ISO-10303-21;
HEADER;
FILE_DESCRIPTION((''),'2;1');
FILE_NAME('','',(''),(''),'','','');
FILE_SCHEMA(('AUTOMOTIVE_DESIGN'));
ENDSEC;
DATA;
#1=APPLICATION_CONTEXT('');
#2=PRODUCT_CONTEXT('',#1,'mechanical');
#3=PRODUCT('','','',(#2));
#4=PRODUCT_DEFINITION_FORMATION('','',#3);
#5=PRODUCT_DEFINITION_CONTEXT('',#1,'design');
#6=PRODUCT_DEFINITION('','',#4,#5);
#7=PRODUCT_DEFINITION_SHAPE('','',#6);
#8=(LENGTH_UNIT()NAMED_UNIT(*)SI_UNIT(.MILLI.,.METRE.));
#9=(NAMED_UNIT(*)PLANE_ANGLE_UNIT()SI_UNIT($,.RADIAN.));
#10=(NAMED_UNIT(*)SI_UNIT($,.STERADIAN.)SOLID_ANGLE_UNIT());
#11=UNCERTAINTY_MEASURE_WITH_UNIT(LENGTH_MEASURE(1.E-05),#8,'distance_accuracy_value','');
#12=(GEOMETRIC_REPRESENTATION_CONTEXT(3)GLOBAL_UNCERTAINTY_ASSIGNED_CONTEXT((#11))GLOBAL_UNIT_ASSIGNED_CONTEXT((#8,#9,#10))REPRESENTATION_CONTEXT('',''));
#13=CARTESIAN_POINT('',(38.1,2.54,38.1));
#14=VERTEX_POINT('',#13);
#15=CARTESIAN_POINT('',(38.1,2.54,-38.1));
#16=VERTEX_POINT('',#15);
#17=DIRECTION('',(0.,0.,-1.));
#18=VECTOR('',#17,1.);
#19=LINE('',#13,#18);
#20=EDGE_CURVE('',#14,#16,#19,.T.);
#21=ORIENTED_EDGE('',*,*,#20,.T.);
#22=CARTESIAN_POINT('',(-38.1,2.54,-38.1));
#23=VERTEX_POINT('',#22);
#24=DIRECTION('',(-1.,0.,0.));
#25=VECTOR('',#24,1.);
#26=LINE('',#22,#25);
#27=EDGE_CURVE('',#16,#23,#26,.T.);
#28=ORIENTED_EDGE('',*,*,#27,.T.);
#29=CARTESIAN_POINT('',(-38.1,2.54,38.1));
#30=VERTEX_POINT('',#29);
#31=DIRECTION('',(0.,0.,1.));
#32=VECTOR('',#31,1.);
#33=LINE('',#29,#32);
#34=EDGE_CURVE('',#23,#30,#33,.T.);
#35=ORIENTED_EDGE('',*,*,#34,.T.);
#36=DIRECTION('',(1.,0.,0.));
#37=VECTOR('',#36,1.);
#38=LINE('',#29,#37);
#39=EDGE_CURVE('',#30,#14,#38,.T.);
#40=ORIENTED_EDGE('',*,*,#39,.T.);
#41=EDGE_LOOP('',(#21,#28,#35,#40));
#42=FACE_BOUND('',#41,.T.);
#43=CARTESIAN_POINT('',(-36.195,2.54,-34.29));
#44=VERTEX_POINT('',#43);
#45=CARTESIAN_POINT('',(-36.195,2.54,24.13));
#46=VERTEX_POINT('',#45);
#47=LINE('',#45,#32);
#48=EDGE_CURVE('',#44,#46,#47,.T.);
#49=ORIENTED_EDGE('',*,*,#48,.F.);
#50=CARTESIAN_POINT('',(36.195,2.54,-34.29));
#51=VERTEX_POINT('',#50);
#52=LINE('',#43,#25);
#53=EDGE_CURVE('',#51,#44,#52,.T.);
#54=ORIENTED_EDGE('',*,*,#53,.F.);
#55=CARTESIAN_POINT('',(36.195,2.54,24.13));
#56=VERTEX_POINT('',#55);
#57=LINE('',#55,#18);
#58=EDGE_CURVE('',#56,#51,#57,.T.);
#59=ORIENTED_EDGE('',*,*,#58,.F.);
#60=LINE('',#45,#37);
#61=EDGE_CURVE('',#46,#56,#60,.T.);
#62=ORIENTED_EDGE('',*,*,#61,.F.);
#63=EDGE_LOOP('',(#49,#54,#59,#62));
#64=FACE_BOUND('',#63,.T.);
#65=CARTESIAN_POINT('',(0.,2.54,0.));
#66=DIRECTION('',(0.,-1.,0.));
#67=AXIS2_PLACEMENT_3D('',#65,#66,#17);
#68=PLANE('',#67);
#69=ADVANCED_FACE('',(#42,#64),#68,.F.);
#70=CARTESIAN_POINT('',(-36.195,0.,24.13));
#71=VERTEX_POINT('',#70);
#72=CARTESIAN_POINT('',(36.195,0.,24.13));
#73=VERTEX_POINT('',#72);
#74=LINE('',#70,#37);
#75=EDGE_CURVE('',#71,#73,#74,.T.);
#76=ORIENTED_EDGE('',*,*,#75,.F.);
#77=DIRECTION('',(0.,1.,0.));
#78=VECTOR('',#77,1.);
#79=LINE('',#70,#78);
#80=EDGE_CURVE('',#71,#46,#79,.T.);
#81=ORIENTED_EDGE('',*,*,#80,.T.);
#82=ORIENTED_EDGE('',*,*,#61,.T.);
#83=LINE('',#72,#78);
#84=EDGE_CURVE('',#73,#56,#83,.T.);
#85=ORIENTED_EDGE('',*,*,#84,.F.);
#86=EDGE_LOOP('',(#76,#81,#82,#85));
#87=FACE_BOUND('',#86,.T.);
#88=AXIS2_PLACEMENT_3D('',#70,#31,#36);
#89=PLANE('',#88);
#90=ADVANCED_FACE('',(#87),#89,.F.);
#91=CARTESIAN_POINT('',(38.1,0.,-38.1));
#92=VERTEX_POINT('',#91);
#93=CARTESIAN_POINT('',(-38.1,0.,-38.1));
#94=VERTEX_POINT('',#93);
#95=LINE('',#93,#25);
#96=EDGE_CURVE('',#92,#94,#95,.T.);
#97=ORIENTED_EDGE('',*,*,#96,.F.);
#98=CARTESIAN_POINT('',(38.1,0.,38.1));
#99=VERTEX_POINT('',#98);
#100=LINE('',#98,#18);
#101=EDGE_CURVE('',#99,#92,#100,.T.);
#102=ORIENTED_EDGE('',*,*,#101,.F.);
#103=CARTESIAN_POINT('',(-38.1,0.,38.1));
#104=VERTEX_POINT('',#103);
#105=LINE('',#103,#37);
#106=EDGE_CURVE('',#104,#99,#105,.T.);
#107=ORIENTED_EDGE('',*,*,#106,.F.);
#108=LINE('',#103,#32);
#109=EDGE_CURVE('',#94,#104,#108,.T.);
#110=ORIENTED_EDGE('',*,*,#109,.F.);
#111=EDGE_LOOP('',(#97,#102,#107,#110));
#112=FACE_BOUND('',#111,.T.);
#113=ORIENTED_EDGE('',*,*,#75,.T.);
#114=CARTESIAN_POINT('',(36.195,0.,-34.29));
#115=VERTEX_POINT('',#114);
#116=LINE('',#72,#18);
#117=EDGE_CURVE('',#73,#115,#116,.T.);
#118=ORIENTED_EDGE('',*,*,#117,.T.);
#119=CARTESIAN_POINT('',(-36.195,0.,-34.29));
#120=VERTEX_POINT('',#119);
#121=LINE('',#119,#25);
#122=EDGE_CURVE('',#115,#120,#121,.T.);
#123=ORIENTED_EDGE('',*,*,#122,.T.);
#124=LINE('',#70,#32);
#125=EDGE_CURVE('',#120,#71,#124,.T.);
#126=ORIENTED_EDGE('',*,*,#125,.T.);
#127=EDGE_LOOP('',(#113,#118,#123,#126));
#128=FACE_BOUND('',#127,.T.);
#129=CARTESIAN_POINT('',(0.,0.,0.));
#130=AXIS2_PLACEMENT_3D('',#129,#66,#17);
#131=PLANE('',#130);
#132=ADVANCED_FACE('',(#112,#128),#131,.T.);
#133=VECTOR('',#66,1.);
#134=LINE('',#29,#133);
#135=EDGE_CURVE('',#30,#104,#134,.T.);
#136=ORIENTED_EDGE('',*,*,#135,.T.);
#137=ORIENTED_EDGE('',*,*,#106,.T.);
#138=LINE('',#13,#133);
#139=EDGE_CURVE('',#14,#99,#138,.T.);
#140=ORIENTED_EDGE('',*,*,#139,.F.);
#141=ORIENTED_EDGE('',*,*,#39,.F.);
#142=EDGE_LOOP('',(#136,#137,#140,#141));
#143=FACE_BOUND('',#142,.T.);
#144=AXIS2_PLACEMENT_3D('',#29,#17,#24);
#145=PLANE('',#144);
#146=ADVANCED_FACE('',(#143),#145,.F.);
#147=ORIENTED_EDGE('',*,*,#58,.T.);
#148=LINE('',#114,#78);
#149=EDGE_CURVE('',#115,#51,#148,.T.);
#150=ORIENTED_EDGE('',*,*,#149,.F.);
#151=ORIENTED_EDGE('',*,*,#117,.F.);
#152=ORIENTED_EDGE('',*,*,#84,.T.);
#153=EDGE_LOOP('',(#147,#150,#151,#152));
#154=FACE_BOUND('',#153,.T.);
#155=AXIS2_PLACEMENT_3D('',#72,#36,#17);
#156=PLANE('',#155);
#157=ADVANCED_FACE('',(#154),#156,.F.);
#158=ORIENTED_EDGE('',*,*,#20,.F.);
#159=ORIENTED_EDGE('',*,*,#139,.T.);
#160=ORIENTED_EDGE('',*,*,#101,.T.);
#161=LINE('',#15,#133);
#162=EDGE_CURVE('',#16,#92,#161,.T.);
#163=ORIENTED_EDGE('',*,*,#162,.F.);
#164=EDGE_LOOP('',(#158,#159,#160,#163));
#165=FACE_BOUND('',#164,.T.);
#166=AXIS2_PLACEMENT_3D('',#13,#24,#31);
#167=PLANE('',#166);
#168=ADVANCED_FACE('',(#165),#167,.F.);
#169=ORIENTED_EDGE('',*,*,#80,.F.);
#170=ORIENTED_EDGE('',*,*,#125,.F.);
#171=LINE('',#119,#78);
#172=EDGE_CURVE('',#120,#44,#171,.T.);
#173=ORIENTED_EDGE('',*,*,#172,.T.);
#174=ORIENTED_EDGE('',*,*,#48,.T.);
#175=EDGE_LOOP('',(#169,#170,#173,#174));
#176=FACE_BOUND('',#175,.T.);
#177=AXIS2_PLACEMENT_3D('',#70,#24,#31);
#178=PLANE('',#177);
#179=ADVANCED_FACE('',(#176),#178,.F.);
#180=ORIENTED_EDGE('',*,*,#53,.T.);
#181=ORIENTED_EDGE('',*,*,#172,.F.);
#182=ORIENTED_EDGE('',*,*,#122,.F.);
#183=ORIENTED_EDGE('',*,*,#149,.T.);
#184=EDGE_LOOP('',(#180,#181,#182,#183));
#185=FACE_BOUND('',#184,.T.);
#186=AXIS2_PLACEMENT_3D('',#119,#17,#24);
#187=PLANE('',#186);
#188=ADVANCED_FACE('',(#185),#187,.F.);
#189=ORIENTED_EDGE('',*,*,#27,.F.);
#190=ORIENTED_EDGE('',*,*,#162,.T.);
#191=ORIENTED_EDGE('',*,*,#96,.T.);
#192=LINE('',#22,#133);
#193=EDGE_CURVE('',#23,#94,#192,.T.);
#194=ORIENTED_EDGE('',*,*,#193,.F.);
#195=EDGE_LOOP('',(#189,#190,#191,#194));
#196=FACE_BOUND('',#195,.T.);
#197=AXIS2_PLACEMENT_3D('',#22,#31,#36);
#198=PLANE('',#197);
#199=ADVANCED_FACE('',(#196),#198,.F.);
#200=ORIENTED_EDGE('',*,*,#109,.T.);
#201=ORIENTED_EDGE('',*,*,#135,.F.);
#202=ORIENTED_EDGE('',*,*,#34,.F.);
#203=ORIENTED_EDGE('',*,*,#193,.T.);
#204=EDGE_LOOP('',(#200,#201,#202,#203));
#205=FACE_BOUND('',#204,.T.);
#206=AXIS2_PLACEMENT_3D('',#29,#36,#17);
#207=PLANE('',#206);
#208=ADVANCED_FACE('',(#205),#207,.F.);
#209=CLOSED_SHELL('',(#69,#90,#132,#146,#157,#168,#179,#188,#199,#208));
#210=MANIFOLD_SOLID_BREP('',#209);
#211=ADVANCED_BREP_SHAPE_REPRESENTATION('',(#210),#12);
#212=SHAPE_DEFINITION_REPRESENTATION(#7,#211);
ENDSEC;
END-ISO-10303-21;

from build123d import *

# Parameters (mm, degrees)
SKETCH1_W               = 76.2
SKETCH1_H               = 76.2
BODY_DEPTH              = 2.54
SKETCH2_W               = 72.39
SKETCH2_H               = 58.42
CIRCUITBOARD_HOLE_DEPTH = 2.54


with BuildPart() as part:
    # Sketch1 → body (new body)
    with BuildSketch(Plane(origin=(0, 0, 0), x_dir=(1, 0, 0), z_dir=(0, 1, 0))):
        Rectangle(SKETCH1_W, SKETCH1_H)
    extrude(amount=BODY_DEPTH)

    # Sketch2 → circuitboard hole (cut)
    with BuildSketch(Plane(origin=(0, 2.54, 0), x_dir=(1, 0, 0), z_dir=(0, 1, 0))):
        with Locations((0, 5.08)):
            Rectangle(SKETCH2_W, SKETCH2_H)
    extrude(amount=-CIRCUITBOARD_HOLE_DEPTH, mode=Mode.SUBTRACT)


solid = part.part
